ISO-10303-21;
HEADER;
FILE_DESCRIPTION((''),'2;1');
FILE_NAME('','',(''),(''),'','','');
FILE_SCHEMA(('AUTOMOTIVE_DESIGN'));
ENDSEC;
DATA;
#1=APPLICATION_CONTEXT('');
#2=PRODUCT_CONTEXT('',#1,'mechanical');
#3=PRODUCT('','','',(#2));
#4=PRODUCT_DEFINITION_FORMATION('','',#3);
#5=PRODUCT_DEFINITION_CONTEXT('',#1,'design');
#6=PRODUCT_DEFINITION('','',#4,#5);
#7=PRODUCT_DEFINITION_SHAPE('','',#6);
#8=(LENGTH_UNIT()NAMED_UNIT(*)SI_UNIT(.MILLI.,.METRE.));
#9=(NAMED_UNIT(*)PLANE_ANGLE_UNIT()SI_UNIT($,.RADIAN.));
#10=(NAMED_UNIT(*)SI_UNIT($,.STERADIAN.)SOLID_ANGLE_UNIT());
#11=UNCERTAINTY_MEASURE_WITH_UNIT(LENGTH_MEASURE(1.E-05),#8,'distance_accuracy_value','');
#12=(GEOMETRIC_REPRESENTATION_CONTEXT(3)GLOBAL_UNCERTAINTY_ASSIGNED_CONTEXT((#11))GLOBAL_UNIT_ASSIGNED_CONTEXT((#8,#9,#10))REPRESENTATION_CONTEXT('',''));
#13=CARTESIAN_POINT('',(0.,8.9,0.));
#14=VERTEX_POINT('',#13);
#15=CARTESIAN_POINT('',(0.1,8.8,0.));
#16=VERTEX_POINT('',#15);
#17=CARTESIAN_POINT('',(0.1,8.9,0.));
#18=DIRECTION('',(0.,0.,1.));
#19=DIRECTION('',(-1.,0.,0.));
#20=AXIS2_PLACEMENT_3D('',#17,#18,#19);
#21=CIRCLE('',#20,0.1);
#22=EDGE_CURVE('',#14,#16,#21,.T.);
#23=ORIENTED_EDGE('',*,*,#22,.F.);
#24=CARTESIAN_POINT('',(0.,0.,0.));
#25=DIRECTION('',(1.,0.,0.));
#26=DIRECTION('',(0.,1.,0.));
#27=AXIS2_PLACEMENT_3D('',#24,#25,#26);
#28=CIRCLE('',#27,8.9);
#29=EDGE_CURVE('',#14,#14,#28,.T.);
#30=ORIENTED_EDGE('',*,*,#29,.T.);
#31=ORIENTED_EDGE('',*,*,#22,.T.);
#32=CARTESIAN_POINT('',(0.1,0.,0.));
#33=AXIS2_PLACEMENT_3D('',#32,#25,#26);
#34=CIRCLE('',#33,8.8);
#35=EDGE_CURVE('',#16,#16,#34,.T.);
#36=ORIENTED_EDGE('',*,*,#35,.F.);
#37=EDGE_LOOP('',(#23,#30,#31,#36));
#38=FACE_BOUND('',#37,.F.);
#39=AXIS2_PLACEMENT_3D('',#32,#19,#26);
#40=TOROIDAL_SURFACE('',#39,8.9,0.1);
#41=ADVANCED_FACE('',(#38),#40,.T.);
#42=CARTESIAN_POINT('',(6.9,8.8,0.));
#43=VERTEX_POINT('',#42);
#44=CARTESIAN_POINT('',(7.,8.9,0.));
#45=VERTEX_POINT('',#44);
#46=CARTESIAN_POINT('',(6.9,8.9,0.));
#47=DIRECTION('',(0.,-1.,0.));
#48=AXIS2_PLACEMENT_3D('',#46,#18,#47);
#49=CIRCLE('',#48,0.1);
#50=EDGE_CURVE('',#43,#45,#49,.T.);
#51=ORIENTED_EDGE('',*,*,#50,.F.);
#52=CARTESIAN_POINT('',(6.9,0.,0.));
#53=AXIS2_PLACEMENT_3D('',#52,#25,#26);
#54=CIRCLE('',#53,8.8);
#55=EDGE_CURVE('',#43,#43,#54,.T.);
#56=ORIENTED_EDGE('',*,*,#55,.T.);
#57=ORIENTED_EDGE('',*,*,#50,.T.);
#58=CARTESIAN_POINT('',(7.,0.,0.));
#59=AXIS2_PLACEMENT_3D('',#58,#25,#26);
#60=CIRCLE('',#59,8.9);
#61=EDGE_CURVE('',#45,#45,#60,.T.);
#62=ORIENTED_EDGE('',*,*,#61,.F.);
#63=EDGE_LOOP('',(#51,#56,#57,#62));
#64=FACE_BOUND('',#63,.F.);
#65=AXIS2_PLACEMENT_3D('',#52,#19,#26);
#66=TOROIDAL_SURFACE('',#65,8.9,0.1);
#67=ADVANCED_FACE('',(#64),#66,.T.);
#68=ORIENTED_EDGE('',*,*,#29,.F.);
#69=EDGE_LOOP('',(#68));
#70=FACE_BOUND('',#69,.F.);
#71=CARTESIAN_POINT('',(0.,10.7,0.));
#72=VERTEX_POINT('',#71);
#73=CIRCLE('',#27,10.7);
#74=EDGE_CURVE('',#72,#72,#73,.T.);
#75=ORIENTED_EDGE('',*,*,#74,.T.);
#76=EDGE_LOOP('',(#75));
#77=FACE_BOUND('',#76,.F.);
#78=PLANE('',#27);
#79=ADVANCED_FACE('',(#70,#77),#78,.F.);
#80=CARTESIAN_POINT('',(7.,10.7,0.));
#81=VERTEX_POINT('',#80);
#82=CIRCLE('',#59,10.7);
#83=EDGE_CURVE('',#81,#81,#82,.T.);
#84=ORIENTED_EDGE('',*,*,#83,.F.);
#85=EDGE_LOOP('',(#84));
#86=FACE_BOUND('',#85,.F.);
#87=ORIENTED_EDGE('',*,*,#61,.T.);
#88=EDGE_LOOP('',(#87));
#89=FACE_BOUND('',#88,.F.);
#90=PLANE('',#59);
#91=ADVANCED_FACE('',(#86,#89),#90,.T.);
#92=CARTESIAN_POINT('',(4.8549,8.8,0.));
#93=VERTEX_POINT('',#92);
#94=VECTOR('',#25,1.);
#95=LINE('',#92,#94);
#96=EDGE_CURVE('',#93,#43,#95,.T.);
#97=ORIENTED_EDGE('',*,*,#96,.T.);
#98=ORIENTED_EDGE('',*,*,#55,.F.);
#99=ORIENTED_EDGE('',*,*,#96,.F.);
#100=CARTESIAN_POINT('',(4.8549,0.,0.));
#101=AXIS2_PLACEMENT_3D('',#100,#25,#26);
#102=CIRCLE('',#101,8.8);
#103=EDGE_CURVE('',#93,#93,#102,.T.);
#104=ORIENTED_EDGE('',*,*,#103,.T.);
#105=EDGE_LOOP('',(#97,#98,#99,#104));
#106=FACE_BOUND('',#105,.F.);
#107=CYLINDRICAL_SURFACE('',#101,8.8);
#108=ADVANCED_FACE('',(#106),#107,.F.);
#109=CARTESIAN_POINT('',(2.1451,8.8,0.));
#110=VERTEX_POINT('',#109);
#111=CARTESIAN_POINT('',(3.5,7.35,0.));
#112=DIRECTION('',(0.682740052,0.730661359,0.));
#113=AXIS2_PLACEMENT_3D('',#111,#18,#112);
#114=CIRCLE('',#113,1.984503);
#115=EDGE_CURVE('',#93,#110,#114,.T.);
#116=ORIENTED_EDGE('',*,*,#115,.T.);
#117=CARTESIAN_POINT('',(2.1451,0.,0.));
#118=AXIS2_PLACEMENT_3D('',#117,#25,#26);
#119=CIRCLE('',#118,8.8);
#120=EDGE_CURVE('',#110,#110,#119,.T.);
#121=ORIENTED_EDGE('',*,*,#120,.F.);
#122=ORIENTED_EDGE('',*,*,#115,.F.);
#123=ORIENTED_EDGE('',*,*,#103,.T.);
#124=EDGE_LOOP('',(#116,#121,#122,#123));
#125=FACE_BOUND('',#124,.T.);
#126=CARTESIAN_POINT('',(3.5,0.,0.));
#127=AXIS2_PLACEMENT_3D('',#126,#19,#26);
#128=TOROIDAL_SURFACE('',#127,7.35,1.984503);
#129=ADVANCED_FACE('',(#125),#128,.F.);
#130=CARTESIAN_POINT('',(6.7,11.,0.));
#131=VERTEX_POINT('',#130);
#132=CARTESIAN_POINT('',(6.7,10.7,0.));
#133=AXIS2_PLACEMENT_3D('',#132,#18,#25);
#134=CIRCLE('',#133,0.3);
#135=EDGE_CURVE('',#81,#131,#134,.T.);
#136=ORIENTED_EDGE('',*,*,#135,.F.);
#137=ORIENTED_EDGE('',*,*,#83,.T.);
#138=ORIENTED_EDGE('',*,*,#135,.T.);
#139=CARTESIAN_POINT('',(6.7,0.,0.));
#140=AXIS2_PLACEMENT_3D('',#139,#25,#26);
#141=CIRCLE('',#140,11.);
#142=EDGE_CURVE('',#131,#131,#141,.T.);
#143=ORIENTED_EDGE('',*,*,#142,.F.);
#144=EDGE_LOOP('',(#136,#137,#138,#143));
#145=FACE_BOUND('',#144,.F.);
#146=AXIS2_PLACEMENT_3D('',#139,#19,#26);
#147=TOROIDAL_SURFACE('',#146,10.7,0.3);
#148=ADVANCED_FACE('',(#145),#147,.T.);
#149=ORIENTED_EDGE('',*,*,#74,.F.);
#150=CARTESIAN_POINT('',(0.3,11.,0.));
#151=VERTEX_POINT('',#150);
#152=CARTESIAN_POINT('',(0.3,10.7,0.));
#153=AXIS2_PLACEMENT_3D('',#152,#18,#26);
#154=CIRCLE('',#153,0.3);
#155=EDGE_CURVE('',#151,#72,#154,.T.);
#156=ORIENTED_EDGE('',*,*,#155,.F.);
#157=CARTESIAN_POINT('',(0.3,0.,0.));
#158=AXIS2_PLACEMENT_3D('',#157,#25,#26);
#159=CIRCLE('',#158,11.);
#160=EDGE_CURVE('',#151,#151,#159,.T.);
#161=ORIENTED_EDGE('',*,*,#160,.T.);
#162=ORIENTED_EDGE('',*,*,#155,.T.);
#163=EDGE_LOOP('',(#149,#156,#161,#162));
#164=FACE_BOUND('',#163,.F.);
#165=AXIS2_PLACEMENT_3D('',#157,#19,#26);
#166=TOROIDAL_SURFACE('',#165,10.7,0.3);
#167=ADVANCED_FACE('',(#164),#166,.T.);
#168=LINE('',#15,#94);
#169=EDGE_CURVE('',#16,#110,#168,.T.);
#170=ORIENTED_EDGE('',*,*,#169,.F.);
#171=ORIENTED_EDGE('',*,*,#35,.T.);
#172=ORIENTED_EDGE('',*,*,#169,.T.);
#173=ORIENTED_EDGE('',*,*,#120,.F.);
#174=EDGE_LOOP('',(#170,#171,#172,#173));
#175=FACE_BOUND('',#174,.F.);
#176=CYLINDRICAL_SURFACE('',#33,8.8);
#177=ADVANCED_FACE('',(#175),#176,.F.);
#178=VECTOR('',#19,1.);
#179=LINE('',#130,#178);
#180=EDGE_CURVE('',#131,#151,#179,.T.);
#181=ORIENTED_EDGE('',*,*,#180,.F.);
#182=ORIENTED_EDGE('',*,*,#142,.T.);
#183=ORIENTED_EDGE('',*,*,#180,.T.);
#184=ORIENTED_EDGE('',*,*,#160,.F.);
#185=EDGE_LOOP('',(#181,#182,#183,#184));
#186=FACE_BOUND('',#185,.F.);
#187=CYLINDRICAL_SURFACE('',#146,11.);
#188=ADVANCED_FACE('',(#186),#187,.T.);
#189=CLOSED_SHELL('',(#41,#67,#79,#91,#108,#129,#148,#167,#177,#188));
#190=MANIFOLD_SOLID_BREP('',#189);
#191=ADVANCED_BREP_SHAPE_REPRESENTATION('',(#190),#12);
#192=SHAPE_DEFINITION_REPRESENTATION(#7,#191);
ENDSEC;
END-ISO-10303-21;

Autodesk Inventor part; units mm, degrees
ref_plane "YZ Plane" through (0, 0, 0) normal (1, 0, 0) x (0, 1, 0)
ref_plane "XZ Plane" through (0, 0, 0) normal (0, 1, 0) x (-1, 0, 0)
ref_plane "XY Plane" through (0, 0, 0) normal (0, 0, 1) x (1, 0, 0)
sketch "Sketch_1" plane through (0, 0, 0) normal (0, 0, 1) x (1, 0, 0)
  line L0 (50, 0) -> (-50, 0)
  line L1 (0, 10.7) -> (0, 8.9)
  arc A0 (0, 8.9) -> (0.1, 8.8) centre (0.1, 8.9) ccw
  line L2 (0.1, 8.8) -> (2.1451, 8.8)
  arc A1 (4.8549, 8.8) -> (2.1451, 8.8) centre (3.5, 7.35) ccw
  line L3 (4.8549, 8.8) -> (6.9, 8.8)
  arc A2 (6.9, 8.8) -> (7, 8.9) centre (6.9, 8.9) ccw
  line L4 (7, 8.9) -> (7, 10.7)
  arc A3 (7, 10.7) -> (6.7, 11) centre (6.7, 10.7) ccw
  line L5 (6.7, 11) -> (0.3, 11)
  arc A4 (0.3, 11) -> (0, 10.7) centre (0.3, 10.7) ccw
revolve "Revolution1" add sketch "Sketch_1" angle 360 about axis through (50, 0, 0) along (1, 0, 0)
properties part number "SKF_608_PART2"
